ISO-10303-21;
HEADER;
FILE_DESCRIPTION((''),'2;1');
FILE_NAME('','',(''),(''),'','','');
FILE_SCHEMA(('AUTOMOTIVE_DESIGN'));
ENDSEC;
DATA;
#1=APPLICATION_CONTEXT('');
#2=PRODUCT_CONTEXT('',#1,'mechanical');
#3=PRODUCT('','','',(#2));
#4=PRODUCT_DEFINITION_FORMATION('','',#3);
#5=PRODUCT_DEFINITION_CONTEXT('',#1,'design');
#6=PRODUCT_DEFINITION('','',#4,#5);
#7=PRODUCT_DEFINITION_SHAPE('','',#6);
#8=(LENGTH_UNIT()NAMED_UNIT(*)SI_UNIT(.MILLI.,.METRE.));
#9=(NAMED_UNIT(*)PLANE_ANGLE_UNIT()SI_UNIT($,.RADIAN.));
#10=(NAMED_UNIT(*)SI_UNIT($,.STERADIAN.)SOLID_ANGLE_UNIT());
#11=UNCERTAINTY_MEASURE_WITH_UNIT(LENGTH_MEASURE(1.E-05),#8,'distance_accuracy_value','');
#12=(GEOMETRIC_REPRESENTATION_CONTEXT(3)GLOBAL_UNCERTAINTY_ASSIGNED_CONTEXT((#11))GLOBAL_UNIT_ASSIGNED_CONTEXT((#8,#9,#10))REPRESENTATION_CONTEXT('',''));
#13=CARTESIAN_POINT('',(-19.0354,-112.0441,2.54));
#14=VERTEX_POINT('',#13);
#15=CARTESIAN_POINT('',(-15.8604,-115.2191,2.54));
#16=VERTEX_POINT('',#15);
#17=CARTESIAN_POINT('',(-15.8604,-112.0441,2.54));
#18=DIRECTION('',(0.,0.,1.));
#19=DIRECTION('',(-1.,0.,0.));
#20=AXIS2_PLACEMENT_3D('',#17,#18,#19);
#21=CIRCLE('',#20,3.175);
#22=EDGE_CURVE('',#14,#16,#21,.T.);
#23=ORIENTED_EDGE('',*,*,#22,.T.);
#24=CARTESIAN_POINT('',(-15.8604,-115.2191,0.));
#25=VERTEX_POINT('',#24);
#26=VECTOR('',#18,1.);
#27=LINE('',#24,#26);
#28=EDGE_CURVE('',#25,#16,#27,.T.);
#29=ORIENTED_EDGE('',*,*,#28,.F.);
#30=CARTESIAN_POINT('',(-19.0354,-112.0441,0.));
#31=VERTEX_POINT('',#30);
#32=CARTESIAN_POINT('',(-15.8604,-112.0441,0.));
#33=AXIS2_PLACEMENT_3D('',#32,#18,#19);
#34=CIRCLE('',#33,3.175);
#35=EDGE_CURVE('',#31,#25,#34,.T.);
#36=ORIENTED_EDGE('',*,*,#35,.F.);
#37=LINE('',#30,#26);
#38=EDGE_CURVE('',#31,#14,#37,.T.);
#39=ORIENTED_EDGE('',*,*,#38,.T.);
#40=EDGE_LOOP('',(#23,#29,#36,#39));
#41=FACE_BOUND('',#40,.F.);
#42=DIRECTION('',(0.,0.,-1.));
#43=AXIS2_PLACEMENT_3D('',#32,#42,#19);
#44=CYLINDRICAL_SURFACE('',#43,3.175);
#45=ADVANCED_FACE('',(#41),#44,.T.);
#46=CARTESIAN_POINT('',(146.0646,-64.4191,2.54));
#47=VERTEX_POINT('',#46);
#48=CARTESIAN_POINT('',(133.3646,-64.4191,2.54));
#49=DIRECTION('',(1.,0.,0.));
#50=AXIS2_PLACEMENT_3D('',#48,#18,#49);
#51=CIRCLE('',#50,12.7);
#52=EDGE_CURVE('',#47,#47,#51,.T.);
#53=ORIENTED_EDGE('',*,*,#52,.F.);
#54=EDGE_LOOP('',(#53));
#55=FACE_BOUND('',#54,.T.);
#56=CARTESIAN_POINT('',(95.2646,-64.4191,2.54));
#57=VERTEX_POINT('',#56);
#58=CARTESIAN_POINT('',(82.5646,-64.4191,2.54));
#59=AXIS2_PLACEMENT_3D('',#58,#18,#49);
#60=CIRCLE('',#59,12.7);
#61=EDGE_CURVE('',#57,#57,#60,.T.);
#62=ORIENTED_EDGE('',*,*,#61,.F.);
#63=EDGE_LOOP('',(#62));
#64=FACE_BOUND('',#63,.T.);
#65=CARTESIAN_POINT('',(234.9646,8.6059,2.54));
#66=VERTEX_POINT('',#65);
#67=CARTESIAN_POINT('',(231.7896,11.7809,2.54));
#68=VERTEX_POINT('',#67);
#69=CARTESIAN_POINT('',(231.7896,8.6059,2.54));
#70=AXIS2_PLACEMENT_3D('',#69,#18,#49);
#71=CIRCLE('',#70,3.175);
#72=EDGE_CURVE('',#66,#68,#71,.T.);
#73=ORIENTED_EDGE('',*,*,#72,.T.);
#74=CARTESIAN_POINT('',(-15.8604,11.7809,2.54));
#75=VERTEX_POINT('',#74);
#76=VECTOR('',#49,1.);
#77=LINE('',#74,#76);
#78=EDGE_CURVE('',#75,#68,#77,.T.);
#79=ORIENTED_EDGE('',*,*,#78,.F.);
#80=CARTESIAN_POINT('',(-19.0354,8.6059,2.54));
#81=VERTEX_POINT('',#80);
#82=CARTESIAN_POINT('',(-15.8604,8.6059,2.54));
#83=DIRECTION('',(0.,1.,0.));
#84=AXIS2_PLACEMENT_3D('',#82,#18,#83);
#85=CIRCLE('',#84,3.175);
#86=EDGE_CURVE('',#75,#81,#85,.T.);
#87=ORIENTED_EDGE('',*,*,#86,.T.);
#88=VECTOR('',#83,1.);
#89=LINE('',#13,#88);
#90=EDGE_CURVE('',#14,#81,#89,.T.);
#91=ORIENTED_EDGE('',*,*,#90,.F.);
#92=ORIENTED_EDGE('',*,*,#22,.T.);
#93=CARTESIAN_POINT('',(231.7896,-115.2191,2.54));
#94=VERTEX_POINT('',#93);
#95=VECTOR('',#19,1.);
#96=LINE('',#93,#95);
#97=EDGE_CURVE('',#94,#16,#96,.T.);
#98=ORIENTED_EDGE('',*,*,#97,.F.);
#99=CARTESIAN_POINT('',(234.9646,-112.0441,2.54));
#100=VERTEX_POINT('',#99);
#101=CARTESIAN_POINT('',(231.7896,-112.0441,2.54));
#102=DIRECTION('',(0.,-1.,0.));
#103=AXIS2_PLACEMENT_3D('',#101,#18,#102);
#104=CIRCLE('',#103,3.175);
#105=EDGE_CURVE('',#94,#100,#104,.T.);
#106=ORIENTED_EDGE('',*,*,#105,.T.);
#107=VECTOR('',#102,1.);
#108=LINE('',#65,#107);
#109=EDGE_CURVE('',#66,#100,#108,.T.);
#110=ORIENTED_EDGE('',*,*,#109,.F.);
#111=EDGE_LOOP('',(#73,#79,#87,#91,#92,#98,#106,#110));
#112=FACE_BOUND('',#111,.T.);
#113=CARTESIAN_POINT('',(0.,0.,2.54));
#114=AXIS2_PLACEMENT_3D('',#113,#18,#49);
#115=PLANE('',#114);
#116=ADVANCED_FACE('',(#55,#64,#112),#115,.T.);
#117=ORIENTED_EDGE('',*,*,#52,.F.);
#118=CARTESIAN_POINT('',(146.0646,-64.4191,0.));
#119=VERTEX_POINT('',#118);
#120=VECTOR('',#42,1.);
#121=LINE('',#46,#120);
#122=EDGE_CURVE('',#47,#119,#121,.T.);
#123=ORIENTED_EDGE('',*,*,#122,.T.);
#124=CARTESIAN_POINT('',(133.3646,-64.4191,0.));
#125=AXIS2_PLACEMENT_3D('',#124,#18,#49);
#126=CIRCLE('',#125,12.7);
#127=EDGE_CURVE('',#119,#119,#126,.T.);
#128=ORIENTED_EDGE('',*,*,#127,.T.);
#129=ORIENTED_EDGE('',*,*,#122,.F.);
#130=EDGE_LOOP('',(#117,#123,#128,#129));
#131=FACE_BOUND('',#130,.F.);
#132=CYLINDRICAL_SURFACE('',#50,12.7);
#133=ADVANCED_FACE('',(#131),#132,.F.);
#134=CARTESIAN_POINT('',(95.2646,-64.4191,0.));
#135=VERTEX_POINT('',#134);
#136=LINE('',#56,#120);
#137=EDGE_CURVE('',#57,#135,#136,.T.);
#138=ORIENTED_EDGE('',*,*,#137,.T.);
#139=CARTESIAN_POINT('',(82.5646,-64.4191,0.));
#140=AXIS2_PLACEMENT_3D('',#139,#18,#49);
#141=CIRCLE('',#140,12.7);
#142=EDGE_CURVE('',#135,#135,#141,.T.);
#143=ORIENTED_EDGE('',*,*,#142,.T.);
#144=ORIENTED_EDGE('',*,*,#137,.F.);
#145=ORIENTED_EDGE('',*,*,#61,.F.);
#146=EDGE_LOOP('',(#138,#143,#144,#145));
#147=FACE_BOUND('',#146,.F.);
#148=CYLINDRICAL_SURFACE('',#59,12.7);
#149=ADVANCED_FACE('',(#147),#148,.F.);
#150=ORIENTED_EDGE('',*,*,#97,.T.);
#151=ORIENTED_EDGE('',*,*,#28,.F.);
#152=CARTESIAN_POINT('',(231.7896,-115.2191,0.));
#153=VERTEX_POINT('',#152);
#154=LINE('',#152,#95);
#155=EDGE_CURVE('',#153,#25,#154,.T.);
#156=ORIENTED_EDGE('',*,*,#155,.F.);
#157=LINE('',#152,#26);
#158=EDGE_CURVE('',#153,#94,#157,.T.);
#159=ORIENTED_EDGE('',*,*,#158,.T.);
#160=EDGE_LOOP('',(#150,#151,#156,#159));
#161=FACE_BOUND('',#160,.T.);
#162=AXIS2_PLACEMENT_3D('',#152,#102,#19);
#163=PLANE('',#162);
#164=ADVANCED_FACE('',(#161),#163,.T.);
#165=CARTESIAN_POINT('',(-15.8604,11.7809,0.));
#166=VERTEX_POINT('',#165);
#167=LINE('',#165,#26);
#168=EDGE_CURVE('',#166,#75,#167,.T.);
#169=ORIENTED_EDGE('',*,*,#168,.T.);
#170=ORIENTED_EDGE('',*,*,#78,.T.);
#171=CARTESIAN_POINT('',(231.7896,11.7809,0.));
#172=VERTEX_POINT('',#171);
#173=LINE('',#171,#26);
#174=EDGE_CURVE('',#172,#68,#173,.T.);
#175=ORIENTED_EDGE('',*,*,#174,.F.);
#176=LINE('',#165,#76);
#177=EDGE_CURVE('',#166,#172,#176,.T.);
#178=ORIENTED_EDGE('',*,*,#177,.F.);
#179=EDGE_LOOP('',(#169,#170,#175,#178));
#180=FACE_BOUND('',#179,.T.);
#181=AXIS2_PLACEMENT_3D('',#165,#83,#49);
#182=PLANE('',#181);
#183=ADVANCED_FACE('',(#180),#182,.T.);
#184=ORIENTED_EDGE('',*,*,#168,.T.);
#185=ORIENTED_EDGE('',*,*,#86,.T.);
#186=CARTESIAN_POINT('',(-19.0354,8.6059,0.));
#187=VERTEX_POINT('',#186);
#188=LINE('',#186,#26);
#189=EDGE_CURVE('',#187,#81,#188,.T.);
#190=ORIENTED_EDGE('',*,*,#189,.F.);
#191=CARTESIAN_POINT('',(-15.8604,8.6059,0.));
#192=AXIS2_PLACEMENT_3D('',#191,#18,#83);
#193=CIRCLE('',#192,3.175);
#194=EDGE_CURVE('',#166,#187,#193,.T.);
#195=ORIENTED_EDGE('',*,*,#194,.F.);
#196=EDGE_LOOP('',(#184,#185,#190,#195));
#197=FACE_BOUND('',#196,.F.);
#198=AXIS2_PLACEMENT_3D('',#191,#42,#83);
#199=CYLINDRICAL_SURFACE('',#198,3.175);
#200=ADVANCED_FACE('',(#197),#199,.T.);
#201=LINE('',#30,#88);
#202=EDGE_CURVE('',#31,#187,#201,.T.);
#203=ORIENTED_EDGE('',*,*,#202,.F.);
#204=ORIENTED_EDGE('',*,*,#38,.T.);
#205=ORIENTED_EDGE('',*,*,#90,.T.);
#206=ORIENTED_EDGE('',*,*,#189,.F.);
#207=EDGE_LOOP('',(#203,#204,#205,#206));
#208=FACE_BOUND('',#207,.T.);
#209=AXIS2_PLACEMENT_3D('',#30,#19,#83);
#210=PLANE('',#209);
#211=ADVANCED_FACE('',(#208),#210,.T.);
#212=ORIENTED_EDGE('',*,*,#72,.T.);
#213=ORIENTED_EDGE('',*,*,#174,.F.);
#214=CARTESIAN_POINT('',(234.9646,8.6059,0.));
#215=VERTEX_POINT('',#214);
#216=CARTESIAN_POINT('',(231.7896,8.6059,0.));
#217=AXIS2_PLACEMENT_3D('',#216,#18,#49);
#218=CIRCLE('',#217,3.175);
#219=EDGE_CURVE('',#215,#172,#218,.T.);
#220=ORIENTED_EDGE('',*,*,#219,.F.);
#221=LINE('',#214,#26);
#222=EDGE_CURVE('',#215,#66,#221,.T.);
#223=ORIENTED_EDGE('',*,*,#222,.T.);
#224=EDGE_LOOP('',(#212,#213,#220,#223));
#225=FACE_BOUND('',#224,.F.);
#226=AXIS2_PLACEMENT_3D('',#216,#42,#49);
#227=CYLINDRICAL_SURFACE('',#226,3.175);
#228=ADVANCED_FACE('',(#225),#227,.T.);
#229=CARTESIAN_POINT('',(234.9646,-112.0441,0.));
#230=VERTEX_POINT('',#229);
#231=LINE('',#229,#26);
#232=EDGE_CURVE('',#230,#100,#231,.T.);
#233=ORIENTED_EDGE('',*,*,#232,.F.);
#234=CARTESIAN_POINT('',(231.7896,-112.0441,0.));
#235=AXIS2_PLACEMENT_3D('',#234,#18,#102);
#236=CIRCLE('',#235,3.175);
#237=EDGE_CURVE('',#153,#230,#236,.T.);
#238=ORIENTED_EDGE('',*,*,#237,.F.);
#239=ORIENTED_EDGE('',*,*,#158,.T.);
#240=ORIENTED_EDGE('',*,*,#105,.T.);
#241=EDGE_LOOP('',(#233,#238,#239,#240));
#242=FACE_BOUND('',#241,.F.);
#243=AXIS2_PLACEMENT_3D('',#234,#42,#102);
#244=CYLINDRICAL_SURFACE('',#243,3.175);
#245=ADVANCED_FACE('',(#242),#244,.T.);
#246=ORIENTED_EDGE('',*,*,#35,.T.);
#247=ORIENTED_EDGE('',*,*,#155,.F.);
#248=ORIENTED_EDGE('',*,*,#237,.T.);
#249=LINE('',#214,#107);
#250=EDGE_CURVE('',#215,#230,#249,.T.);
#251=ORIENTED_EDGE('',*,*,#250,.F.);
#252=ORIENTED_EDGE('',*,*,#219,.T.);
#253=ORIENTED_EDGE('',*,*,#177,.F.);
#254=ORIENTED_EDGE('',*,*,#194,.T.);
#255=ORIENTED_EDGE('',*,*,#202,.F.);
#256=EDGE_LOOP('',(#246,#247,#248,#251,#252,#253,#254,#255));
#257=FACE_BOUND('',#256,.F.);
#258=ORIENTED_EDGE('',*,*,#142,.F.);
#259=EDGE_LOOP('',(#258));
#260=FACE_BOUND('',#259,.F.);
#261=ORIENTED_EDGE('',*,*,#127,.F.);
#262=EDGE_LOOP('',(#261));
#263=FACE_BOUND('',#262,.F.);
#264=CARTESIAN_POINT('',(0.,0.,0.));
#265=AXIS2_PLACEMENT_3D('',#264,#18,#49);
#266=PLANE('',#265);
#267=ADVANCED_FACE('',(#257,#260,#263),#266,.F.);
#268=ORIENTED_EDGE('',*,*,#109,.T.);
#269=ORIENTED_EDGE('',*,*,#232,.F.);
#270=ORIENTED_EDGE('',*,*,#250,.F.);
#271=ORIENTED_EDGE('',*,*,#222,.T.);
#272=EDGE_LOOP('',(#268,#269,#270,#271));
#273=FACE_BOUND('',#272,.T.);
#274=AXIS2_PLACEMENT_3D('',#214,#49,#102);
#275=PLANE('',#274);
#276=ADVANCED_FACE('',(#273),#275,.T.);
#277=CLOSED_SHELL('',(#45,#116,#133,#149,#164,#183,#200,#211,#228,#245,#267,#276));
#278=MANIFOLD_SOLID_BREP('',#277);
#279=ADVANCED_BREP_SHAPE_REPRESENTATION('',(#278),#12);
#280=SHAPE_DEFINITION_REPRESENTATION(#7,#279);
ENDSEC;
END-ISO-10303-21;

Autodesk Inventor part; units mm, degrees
ref_plane "YZ Plane" through (0, 0, 0) normal (1, 0, 0) x (0, 1, 0)
ref_plane "XZ Plane" through (0, 0, 0) normal (0, 1, 0) x (-1, 0, 0)
ref_plane "XY Plane" through (0, 0, 0) normal (0, 0, 1) x (1, 0, 0)
sketch "Sketch1" plane through (0, 0, 0) normal (0, 0, 1) x (1, 0, 0)
  point P0 (0, 0)
sketch "Sketch2" plane through (0, 0, 0) normal (0, 0, 1) x (1, 0, 0)
  line L0 (-15.8604, 11.7809) -> (231.7896, 11.7809)
  line L1 (234.9646, 8.6059) -> (234.9646, -112.0441)
  line L2 (231.7896, -115.2191) -> (-15.8604, -115.2191)
  line L3 (-19.0354, -112.0441) -> (-19.0354, 8.6059)
  arc A0 (-15.8604, 11.7809) -> (-19.0354, 8.6059) centre (-15.8604, 8.6059) ccw
  arc A1 (234.9646, 8.6059) -> (231.7896, 11.7809) centre (231.7896, 8.6059) ccw
  arc A2 (231.7896, -115.2191) -> (234.9646, -112.0441) centre (231.7896, -112.0441) ccw
  arc A3 (-19.0354, -112.0441) -> (-15.8604, -115.2191) centre (-15.8604, -112.0441) ccw
  point P0 (0, 0)
  point P1 (234.9646, -115.2191)
  point P2 (234.9646, 11.7809)
  point P3 (-19.0354, -115.2191)
  dimension "d0" = 254
  dimension "d1" = 127
  dimension "d2" = 3.175
extrude "Extrusion1" add sketch "Sketch2" along normal blind 2.54
sketch "Sketch3" plane through (0, 0, 2.54) normal (0, 0, 1) x (1, 0, 0)
  circle A0 centre (82.5646, -64.4191) radius 12.7
  circle A1 centre (133.3646, -64.4191) radius 12.7
  line L0 (-19.0354, 8.6059) -> (-19.0354, -112.0441) projected
  line L1 (234.9646, -112.0441) -> (234.9646, 8.6059) projected
  line L2 (-15.8604, -115.2191) -> (231.7896, -115.2191) projected
  point P0 (0, 0)
  dimension "d5" = 25.4
  dimension "d6" = 25.4
  dimension "d7" = 101.6
  dimension "d8" = 101.6
  dimension "d9" = 50.8
  dimension "d10" = 50.8
extrude "Extrusion2" cut sketch "Sketch3" against normal blind 50.8
sketch "Sketch4" plane through (0, 0, 2.54) normal (0, 0, 1) x (1, 0, 0)
  line L0 (-10.6768, -109.1793) -> (65.5232, -109.1793)
  line L1 (65.5232, -109.1793) -> (65.5232, 5.1207)
  line L2 (65.5232, 5.1207) -> (-10.6768, 5.1207)
  line L3 (-10.6768, 5.1207) -> (-10.6768, -109.1793)
  point P0 (0, 0)
  dimension "d13" = 76.2
  dimension "d14" = 114.3
properties part number "board" material "Acrylic, Clear"
